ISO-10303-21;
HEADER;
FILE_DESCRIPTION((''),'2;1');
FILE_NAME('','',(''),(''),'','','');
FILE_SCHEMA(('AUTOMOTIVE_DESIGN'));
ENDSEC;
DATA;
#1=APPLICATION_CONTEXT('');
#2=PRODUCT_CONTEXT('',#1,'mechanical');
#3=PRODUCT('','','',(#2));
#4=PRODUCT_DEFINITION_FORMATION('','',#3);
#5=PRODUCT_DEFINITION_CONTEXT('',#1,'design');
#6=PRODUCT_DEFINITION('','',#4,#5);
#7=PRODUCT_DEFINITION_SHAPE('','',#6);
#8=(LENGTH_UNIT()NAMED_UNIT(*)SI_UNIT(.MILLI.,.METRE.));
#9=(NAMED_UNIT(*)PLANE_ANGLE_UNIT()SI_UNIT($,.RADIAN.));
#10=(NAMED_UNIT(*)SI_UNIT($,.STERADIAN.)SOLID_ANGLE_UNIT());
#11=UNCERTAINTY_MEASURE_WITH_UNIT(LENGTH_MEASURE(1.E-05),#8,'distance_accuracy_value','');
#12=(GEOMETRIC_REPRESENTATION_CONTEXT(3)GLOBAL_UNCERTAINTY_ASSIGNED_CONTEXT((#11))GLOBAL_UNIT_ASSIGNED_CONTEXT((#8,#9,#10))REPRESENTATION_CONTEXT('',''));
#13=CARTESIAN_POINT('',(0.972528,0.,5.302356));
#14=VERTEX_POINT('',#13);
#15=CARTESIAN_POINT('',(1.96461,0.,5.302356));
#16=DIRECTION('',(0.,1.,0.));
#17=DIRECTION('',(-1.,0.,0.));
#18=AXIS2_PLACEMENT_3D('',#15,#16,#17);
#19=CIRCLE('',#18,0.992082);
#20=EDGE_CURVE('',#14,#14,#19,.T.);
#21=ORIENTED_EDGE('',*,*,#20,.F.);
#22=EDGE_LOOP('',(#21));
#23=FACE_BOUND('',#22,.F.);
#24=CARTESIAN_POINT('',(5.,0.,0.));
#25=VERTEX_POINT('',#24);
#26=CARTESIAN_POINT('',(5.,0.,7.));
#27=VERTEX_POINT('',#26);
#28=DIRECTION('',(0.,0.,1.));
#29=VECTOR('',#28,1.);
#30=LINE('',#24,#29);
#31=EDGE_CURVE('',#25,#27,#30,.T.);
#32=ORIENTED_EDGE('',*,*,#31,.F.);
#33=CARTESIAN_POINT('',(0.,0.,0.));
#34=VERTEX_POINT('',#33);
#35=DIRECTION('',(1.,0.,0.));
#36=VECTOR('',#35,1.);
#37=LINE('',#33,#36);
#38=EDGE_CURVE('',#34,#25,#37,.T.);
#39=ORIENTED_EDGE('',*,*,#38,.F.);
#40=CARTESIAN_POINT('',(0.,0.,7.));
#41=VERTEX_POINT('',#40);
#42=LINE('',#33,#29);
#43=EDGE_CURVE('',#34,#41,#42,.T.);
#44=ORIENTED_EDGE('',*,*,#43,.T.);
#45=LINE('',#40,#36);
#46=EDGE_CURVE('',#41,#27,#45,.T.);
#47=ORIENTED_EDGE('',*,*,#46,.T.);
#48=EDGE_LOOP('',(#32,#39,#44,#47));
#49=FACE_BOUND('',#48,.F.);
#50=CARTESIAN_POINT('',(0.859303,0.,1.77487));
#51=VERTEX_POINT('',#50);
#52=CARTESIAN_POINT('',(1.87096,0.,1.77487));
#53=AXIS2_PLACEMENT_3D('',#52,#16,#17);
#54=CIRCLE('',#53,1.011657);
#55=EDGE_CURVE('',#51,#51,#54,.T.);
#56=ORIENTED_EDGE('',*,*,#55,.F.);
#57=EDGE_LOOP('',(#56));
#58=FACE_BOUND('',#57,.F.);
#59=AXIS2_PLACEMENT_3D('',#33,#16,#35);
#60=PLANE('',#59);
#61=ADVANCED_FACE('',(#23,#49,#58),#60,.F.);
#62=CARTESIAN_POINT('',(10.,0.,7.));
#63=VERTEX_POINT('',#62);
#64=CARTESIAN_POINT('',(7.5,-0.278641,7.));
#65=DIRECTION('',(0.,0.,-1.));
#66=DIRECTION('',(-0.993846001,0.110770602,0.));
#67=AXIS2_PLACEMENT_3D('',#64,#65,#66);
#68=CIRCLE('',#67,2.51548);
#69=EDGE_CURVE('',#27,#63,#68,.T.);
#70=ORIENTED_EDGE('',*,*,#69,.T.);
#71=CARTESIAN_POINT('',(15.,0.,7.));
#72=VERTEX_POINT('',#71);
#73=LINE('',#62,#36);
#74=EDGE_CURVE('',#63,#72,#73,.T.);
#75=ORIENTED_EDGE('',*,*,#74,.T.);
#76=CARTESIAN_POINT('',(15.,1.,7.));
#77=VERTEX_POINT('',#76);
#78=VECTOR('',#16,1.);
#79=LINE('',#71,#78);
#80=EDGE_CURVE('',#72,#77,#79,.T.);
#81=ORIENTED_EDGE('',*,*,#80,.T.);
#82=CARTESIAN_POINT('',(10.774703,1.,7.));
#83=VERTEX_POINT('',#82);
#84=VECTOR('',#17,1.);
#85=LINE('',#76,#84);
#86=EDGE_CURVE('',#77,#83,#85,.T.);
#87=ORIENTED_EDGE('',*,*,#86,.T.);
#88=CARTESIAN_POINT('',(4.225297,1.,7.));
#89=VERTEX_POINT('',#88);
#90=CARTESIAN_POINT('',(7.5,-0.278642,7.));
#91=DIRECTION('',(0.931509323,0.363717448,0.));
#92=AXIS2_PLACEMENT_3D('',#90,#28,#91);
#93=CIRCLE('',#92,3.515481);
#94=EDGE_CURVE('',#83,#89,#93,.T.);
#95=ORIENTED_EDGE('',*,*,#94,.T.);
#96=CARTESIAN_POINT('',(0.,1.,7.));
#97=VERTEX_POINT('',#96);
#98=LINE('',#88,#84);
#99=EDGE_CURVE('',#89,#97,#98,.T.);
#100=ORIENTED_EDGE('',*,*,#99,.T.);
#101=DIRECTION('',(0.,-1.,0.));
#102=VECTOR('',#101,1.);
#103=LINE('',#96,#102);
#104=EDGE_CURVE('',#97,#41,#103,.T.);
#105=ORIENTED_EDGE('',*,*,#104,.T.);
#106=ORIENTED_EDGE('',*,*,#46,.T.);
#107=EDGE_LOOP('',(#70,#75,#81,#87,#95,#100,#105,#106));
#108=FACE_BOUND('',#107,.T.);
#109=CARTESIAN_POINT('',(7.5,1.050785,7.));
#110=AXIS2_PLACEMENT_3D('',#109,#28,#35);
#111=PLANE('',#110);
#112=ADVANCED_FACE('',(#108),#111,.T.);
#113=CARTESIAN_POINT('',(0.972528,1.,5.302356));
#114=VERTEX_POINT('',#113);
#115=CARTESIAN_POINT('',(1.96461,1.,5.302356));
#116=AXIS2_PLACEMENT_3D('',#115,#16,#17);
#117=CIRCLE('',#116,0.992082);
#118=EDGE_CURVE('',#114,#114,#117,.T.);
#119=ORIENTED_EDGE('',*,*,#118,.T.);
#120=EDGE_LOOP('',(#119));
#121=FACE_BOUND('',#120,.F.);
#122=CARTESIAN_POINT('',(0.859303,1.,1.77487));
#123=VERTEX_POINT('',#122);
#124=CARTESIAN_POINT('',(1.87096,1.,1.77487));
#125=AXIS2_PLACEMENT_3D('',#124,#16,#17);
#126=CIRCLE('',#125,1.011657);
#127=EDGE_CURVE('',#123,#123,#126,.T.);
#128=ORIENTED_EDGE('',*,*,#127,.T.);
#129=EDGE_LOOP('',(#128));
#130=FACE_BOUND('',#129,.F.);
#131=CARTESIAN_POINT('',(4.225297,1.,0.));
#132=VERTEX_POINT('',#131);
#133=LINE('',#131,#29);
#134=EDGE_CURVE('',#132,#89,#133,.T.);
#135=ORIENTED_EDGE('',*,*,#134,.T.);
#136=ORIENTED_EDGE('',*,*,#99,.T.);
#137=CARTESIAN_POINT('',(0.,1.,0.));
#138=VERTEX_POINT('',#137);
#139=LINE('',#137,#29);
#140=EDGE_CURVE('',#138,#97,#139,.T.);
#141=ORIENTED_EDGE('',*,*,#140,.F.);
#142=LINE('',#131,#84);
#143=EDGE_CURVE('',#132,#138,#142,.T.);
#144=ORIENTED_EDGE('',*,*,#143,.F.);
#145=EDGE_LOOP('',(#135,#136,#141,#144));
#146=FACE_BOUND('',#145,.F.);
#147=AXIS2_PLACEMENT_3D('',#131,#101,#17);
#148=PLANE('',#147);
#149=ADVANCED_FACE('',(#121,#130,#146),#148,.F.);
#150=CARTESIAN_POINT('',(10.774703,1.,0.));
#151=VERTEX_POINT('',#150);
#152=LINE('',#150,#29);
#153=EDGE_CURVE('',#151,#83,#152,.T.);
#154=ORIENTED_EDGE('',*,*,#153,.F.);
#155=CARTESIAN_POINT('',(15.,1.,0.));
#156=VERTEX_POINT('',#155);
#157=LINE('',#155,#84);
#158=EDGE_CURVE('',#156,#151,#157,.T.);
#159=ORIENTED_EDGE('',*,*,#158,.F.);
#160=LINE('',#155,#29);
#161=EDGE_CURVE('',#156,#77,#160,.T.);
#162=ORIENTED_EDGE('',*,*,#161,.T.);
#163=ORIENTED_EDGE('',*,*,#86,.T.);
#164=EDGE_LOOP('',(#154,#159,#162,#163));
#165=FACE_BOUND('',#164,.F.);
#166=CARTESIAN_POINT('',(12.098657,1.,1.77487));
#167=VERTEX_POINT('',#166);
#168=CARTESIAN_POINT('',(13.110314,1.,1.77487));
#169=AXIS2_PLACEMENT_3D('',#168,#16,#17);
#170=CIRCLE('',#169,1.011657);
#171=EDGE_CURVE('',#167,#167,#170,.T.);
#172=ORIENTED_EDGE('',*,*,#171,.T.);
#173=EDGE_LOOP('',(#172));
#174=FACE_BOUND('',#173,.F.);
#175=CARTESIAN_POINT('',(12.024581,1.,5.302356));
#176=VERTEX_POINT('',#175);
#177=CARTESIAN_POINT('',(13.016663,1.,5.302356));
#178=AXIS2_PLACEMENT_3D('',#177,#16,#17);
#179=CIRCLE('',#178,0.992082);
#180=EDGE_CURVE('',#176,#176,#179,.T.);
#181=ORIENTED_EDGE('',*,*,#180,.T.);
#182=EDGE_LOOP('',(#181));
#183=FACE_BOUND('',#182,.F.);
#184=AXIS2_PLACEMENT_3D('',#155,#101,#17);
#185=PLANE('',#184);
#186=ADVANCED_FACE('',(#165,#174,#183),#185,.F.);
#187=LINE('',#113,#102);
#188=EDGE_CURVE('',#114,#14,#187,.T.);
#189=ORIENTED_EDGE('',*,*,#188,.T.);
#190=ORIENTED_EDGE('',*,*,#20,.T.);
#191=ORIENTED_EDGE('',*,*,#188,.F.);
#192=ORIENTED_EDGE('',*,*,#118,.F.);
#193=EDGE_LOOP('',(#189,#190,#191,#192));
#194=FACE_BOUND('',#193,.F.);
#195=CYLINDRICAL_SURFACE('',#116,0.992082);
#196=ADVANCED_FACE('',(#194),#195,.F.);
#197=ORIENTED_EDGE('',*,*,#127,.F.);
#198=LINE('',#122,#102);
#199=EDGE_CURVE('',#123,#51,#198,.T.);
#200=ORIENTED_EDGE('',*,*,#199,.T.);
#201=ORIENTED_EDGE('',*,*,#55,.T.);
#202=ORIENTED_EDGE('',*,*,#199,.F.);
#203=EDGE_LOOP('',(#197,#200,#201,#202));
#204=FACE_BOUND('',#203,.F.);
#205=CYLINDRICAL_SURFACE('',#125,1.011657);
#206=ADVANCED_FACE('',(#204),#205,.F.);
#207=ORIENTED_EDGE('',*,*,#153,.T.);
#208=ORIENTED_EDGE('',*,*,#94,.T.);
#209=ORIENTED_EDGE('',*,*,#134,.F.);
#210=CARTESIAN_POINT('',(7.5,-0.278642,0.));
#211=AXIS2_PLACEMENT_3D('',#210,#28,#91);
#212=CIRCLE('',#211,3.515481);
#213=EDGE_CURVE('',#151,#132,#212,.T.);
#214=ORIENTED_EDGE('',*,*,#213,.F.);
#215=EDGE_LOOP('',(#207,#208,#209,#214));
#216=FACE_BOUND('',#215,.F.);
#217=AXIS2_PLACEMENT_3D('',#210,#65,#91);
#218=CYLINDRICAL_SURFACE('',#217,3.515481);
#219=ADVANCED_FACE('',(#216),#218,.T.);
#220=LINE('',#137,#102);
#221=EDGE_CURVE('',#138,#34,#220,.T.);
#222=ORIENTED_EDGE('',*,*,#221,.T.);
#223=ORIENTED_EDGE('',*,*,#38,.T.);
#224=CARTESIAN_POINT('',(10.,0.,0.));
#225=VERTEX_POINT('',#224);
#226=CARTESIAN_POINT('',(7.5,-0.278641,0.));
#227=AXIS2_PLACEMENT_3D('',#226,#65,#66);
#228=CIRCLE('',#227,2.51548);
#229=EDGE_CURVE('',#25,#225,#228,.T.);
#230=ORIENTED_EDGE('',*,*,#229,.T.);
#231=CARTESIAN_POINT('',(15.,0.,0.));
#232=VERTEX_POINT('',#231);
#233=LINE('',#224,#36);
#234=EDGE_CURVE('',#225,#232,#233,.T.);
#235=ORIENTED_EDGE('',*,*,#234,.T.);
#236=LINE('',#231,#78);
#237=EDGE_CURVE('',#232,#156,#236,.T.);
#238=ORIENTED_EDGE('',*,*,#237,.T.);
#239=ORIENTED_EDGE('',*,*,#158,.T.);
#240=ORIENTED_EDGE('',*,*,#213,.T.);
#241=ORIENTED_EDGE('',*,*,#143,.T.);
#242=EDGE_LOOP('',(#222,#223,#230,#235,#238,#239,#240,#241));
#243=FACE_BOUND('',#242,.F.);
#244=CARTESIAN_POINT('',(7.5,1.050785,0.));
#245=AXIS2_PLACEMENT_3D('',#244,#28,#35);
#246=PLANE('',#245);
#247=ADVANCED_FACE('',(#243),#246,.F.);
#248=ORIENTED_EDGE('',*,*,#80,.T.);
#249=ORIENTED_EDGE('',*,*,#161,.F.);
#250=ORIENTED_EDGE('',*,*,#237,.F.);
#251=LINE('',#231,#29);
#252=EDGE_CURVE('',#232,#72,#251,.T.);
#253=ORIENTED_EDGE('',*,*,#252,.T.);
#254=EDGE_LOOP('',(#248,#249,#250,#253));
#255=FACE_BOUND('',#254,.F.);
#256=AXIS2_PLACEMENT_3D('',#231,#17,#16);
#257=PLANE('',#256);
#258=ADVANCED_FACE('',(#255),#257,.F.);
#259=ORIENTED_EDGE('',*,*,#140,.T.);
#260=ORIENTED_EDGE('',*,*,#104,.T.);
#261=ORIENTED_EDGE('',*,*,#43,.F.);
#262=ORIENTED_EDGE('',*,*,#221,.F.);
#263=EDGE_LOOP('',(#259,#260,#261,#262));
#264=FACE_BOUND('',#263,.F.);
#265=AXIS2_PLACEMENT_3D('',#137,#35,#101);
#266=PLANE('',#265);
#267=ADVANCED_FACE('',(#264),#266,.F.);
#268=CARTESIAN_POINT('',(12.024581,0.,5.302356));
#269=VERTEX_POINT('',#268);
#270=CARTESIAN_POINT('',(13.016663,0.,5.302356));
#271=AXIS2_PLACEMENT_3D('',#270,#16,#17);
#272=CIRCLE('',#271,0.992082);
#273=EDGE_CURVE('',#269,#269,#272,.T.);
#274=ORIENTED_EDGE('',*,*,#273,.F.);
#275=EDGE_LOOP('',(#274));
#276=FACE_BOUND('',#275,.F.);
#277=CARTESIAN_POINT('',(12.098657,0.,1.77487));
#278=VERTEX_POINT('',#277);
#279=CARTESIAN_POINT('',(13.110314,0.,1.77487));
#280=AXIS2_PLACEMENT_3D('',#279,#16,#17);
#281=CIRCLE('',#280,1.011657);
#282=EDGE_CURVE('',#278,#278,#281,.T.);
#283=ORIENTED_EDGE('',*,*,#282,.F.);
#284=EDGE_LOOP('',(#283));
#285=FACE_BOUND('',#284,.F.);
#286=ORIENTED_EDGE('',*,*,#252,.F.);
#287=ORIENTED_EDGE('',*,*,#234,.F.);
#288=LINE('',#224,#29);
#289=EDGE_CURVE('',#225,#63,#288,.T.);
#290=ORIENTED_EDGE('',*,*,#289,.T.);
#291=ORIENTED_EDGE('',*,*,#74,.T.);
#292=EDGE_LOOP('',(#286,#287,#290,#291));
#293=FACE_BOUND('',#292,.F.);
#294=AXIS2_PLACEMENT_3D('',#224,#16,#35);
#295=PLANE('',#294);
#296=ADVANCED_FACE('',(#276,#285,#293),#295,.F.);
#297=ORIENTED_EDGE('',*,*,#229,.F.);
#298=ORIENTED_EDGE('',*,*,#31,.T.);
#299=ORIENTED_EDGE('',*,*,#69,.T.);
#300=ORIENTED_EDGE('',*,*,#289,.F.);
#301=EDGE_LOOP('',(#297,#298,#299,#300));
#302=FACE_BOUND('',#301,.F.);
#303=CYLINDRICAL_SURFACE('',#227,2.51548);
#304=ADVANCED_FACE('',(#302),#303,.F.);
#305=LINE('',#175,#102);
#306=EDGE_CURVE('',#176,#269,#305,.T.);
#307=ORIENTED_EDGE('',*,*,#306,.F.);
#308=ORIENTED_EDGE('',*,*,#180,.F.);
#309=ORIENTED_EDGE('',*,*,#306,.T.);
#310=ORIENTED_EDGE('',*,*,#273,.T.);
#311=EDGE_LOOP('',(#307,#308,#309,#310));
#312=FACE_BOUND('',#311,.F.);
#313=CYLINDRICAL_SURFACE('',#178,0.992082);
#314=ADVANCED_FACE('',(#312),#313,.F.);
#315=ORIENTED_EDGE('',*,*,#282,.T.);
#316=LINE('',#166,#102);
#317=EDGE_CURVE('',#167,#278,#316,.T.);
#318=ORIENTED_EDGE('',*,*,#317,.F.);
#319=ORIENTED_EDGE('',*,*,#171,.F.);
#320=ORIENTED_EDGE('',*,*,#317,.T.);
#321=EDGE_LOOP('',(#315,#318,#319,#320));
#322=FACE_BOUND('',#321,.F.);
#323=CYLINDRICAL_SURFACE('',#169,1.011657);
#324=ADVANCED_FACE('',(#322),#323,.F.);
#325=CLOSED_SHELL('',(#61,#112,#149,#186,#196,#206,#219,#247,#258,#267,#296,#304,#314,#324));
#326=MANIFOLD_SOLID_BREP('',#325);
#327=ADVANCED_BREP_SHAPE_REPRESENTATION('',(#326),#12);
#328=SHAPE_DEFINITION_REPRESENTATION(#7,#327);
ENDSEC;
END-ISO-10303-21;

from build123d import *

# Parameters (mm, degrees)
F1_DEPTH = 7
F2_R     = 0.992082
F2_R_2   = 1.011657
F3_DEPTH = 25


with BuildPart() as f1:
    # F0 (on Top) → F1 (new body)
    with BuildSketch(Plane.XY):
        with BuildLine():
            Line((0, 1), (0, 0))
            Line((0, 0), (5, 0))
            ThreePointArc((5, 0), (7.5, 2.236839), (10, 0))
            Line((10, 0), (15, 0))
            Line((15, 0), (15, 1))
            Line((15, 1), (10.774703, 1))
            ThreePointArc((10.774703, 1), (7.5, 3.236839), (4.225297, 1))
            Line((4.225297, 1), (0, 1))
        make_face()
    extrude(amount=F1_DEPTH)

    # F2 (on face) → F3 (cut)
    with BuildSketch(Plane(origin=(0, 1, 0), x_dir=(-1, 0, 0), z_dir=(0, 1, 0))):
        with Locations((-13.016663, 5.302356)):
            Circle(F2_R)
        with Locations((-13.110314, 1.77487)):
            Circle(F2_R_2)
        with Locations((-1.87096, 1.77487)):
            Circle(F2_R_2)
        with Locations((-1.96461, 5.302356)):
            Circle(F2_R)
    extrude(amount=-F3_DEPTH, mode=Mode.SUBTRACT)


solid = f1.part
